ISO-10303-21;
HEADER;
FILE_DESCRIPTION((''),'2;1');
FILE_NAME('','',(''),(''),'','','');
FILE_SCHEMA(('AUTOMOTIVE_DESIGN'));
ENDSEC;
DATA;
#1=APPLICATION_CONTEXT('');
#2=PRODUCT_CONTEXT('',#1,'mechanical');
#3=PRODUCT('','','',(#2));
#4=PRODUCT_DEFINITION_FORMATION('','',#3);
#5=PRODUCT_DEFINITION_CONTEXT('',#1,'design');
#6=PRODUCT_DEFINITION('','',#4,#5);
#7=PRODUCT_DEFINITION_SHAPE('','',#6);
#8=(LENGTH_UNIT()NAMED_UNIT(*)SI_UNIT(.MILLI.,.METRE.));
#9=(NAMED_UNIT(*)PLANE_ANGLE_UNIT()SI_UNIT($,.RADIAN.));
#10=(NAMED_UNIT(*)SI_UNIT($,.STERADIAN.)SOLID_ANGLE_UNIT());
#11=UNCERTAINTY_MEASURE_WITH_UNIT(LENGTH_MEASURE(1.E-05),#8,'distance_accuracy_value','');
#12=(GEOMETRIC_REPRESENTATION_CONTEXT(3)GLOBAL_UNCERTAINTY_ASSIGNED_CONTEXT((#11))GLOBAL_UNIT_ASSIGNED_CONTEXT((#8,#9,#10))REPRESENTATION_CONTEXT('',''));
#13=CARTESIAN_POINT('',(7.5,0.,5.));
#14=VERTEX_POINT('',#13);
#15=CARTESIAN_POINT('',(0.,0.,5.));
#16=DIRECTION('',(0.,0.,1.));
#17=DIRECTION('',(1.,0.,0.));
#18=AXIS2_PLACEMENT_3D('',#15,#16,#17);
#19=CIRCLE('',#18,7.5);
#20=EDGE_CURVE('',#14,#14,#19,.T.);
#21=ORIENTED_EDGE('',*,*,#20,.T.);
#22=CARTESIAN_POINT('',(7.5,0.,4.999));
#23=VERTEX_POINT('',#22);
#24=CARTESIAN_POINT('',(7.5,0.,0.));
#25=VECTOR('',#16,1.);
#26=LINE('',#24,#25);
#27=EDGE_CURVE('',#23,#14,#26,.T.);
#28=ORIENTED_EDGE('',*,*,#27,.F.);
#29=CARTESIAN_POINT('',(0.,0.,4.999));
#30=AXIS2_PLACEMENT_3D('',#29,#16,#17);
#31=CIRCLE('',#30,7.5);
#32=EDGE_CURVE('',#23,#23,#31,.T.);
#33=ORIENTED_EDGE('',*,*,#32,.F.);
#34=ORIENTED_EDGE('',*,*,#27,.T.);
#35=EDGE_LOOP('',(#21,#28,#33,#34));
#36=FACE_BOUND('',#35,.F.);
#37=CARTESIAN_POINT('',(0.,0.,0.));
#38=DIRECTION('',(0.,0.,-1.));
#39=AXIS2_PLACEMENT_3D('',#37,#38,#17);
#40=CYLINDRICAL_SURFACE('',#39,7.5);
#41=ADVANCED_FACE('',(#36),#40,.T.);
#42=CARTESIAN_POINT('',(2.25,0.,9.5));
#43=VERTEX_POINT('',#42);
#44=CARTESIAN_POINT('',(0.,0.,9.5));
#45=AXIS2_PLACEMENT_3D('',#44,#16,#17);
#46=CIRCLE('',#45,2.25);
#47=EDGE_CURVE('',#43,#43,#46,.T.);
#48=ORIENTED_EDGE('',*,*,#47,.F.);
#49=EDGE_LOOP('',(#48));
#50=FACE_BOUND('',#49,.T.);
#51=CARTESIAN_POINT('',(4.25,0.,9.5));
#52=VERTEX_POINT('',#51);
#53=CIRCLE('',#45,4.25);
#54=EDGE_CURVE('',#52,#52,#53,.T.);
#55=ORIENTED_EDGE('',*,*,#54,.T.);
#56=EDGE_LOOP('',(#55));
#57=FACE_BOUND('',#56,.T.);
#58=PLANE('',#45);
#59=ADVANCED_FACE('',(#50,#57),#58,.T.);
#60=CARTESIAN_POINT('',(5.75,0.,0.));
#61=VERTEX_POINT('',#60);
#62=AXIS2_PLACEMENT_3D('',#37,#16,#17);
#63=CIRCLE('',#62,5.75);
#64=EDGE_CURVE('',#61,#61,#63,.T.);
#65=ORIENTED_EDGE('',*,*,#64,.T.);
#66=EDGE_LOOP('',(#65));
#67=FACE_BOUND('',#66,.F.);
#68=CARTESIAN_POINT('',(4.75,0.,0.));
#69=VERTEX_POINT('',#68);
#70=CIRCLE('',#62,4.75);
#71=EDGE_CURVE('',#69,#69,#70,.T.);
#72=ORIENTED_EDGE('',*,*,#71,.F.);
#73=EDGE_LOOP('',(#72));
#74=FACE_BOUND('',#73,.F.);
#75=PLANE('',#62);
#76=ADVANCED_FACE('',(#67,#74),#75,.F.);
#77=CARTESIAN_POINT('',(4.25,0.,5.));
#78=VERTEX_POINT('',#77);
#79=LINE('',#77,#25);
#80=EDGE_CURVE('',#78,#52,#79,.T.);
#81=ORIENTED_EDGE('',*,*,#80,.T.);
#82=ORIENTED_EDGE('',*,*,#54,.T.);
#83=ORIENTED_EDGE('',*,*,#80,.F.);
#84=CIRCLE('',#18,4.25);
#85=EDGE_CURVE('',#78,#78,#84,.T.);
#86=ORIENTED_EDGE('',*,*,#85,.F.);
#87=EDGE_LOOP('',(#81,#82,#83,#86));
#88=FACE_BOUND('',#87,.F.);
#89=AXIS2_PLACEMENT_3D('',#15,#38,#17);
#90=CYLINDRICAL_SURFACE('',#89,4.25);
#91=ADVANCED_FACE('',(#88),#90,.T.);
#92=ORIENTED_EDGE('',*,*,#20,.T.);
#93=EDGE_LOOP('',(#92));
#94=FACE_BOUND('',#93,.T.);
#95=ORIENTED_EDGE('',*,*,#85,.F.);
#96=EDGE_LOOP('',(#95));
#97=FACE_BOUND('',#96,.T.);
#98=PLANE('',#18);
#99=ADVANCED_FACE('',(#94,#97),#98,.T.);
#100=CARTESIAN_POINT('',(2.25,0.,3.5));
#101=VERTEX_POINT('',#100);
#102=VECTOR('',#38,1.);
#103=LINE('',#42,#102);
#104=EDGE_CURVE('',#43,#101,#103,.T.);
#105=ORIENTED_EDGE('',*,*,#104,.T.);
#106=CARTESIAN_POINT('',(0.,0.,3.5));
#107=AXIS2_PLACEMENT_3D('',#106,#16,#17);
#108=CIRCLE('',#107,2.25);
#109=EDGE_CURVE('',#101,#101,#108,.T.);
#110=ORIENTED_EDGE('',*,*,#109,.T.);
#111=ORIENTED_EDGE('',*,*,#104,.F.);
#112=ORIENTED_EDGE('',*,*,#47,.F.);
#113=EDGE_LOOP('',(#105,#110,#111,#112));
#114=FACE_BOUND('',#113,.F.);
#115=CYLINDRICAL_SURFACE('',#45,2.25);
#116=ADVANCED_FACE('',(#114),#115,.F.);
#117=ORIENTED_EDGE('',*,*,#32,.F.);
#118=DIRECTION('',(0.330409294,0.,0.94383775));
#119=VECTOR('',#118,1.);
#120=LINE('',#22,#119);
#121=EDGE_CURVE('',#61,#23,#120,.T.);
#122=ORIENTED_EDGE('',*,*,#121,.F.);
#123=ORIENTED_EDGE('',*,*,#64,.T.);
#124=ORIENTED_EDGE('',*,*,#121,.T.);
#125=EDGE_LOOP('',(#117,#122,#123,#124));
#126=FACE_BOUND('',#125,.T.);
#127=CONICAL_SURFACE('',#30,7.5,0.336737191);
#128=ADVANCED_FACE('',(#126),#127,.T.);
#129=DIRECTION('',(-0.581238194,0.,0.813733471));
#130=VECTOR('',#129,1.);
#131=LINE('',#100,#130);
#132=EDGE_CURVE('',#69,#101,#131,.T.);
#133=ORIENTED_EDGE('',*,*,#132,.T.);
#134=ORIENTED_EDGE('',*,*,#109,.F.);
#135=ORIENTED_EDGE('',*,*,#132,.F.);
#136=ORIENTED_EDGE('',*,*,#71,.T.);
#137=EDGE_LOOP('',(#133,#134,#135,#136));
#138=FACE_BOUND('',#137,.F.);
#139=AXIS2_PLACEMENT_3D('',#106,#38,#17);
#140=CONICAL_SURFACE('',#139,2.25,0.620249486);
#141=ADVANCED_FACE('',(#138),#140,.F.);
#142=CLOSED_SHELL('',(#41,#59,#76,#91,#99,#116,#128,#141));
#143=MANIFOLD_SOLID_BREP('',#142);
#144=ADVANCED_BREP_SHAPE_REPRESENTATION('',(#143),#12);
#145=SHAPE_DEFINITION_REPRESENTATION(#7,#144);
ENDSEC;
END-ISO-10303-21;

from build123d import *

# Parameters (mm, degrees)
SKETCH_R         = 7.5
PAD_DEPTH        = 5
SKETCH001_R      = 4.25
PAD001_DEPTH     = 4.5
SKETCH002_R      = 2.25
POCKET_DEPTH     = 9.501
CHAMFER_SIZE2    = 3.5
CHAMFER_SIZE     = 2.5
CHAMFER001_SIZE2 = 4.999
CHAMFER001_SIZE  = 1.75


with BuildPart() as part:
    # Sketch → Pad (new body)
    with BuildSketch(Plane.XY):
        Circle(SKETCH_R)
    extrude(amount=PAD_DEPTH)

    # Sketch001 (on Face3 of Pad) → Pad001 (join)
    with BuildSketch(Plane.XY.offset(5)):
        Circle(SKETCH001_R)
    extrude(amount=PAD001_DEPTH)

    # Sketch002 (on Face5 of Pad001) → Pocket (cut, through all)
    with BuildSketch(Plane.XY.offset(9.5)):
        Circle(SKETCH002_R)
    extrude(amount=-POCKET_DEPTH, mode=Mode.SUBTRACT)

    # Chamfer
    chamfer_edges = [part.edges().sort_by_distance(p)[0] for p in [
        (-2.25, 0, 0),
    ]]
    chamfer_side = part.faces().sort_by_distance((-7.287868, 0, 0))[0]
    chamfer(chamfer_edges, length=CHAMFER_SIZE, length2=CHAMFER_SIZE2, reference=chamfer_side)

    # Chamfer001
    chamfer001_edges = [part.edges().sort_by_distance(p)[0] for p in [
        (-7.5, 0, 0),
    ]]
    chamfer001_side = part.faces().sort_by_distance((-4.962132, 0, 0))[0]
    chamfer(chamfer001_edges, length=CHAMFER001_SIZE, length2=CHAMFER001_SIZE2, reference=chamfer001_side)


solid = part.part
